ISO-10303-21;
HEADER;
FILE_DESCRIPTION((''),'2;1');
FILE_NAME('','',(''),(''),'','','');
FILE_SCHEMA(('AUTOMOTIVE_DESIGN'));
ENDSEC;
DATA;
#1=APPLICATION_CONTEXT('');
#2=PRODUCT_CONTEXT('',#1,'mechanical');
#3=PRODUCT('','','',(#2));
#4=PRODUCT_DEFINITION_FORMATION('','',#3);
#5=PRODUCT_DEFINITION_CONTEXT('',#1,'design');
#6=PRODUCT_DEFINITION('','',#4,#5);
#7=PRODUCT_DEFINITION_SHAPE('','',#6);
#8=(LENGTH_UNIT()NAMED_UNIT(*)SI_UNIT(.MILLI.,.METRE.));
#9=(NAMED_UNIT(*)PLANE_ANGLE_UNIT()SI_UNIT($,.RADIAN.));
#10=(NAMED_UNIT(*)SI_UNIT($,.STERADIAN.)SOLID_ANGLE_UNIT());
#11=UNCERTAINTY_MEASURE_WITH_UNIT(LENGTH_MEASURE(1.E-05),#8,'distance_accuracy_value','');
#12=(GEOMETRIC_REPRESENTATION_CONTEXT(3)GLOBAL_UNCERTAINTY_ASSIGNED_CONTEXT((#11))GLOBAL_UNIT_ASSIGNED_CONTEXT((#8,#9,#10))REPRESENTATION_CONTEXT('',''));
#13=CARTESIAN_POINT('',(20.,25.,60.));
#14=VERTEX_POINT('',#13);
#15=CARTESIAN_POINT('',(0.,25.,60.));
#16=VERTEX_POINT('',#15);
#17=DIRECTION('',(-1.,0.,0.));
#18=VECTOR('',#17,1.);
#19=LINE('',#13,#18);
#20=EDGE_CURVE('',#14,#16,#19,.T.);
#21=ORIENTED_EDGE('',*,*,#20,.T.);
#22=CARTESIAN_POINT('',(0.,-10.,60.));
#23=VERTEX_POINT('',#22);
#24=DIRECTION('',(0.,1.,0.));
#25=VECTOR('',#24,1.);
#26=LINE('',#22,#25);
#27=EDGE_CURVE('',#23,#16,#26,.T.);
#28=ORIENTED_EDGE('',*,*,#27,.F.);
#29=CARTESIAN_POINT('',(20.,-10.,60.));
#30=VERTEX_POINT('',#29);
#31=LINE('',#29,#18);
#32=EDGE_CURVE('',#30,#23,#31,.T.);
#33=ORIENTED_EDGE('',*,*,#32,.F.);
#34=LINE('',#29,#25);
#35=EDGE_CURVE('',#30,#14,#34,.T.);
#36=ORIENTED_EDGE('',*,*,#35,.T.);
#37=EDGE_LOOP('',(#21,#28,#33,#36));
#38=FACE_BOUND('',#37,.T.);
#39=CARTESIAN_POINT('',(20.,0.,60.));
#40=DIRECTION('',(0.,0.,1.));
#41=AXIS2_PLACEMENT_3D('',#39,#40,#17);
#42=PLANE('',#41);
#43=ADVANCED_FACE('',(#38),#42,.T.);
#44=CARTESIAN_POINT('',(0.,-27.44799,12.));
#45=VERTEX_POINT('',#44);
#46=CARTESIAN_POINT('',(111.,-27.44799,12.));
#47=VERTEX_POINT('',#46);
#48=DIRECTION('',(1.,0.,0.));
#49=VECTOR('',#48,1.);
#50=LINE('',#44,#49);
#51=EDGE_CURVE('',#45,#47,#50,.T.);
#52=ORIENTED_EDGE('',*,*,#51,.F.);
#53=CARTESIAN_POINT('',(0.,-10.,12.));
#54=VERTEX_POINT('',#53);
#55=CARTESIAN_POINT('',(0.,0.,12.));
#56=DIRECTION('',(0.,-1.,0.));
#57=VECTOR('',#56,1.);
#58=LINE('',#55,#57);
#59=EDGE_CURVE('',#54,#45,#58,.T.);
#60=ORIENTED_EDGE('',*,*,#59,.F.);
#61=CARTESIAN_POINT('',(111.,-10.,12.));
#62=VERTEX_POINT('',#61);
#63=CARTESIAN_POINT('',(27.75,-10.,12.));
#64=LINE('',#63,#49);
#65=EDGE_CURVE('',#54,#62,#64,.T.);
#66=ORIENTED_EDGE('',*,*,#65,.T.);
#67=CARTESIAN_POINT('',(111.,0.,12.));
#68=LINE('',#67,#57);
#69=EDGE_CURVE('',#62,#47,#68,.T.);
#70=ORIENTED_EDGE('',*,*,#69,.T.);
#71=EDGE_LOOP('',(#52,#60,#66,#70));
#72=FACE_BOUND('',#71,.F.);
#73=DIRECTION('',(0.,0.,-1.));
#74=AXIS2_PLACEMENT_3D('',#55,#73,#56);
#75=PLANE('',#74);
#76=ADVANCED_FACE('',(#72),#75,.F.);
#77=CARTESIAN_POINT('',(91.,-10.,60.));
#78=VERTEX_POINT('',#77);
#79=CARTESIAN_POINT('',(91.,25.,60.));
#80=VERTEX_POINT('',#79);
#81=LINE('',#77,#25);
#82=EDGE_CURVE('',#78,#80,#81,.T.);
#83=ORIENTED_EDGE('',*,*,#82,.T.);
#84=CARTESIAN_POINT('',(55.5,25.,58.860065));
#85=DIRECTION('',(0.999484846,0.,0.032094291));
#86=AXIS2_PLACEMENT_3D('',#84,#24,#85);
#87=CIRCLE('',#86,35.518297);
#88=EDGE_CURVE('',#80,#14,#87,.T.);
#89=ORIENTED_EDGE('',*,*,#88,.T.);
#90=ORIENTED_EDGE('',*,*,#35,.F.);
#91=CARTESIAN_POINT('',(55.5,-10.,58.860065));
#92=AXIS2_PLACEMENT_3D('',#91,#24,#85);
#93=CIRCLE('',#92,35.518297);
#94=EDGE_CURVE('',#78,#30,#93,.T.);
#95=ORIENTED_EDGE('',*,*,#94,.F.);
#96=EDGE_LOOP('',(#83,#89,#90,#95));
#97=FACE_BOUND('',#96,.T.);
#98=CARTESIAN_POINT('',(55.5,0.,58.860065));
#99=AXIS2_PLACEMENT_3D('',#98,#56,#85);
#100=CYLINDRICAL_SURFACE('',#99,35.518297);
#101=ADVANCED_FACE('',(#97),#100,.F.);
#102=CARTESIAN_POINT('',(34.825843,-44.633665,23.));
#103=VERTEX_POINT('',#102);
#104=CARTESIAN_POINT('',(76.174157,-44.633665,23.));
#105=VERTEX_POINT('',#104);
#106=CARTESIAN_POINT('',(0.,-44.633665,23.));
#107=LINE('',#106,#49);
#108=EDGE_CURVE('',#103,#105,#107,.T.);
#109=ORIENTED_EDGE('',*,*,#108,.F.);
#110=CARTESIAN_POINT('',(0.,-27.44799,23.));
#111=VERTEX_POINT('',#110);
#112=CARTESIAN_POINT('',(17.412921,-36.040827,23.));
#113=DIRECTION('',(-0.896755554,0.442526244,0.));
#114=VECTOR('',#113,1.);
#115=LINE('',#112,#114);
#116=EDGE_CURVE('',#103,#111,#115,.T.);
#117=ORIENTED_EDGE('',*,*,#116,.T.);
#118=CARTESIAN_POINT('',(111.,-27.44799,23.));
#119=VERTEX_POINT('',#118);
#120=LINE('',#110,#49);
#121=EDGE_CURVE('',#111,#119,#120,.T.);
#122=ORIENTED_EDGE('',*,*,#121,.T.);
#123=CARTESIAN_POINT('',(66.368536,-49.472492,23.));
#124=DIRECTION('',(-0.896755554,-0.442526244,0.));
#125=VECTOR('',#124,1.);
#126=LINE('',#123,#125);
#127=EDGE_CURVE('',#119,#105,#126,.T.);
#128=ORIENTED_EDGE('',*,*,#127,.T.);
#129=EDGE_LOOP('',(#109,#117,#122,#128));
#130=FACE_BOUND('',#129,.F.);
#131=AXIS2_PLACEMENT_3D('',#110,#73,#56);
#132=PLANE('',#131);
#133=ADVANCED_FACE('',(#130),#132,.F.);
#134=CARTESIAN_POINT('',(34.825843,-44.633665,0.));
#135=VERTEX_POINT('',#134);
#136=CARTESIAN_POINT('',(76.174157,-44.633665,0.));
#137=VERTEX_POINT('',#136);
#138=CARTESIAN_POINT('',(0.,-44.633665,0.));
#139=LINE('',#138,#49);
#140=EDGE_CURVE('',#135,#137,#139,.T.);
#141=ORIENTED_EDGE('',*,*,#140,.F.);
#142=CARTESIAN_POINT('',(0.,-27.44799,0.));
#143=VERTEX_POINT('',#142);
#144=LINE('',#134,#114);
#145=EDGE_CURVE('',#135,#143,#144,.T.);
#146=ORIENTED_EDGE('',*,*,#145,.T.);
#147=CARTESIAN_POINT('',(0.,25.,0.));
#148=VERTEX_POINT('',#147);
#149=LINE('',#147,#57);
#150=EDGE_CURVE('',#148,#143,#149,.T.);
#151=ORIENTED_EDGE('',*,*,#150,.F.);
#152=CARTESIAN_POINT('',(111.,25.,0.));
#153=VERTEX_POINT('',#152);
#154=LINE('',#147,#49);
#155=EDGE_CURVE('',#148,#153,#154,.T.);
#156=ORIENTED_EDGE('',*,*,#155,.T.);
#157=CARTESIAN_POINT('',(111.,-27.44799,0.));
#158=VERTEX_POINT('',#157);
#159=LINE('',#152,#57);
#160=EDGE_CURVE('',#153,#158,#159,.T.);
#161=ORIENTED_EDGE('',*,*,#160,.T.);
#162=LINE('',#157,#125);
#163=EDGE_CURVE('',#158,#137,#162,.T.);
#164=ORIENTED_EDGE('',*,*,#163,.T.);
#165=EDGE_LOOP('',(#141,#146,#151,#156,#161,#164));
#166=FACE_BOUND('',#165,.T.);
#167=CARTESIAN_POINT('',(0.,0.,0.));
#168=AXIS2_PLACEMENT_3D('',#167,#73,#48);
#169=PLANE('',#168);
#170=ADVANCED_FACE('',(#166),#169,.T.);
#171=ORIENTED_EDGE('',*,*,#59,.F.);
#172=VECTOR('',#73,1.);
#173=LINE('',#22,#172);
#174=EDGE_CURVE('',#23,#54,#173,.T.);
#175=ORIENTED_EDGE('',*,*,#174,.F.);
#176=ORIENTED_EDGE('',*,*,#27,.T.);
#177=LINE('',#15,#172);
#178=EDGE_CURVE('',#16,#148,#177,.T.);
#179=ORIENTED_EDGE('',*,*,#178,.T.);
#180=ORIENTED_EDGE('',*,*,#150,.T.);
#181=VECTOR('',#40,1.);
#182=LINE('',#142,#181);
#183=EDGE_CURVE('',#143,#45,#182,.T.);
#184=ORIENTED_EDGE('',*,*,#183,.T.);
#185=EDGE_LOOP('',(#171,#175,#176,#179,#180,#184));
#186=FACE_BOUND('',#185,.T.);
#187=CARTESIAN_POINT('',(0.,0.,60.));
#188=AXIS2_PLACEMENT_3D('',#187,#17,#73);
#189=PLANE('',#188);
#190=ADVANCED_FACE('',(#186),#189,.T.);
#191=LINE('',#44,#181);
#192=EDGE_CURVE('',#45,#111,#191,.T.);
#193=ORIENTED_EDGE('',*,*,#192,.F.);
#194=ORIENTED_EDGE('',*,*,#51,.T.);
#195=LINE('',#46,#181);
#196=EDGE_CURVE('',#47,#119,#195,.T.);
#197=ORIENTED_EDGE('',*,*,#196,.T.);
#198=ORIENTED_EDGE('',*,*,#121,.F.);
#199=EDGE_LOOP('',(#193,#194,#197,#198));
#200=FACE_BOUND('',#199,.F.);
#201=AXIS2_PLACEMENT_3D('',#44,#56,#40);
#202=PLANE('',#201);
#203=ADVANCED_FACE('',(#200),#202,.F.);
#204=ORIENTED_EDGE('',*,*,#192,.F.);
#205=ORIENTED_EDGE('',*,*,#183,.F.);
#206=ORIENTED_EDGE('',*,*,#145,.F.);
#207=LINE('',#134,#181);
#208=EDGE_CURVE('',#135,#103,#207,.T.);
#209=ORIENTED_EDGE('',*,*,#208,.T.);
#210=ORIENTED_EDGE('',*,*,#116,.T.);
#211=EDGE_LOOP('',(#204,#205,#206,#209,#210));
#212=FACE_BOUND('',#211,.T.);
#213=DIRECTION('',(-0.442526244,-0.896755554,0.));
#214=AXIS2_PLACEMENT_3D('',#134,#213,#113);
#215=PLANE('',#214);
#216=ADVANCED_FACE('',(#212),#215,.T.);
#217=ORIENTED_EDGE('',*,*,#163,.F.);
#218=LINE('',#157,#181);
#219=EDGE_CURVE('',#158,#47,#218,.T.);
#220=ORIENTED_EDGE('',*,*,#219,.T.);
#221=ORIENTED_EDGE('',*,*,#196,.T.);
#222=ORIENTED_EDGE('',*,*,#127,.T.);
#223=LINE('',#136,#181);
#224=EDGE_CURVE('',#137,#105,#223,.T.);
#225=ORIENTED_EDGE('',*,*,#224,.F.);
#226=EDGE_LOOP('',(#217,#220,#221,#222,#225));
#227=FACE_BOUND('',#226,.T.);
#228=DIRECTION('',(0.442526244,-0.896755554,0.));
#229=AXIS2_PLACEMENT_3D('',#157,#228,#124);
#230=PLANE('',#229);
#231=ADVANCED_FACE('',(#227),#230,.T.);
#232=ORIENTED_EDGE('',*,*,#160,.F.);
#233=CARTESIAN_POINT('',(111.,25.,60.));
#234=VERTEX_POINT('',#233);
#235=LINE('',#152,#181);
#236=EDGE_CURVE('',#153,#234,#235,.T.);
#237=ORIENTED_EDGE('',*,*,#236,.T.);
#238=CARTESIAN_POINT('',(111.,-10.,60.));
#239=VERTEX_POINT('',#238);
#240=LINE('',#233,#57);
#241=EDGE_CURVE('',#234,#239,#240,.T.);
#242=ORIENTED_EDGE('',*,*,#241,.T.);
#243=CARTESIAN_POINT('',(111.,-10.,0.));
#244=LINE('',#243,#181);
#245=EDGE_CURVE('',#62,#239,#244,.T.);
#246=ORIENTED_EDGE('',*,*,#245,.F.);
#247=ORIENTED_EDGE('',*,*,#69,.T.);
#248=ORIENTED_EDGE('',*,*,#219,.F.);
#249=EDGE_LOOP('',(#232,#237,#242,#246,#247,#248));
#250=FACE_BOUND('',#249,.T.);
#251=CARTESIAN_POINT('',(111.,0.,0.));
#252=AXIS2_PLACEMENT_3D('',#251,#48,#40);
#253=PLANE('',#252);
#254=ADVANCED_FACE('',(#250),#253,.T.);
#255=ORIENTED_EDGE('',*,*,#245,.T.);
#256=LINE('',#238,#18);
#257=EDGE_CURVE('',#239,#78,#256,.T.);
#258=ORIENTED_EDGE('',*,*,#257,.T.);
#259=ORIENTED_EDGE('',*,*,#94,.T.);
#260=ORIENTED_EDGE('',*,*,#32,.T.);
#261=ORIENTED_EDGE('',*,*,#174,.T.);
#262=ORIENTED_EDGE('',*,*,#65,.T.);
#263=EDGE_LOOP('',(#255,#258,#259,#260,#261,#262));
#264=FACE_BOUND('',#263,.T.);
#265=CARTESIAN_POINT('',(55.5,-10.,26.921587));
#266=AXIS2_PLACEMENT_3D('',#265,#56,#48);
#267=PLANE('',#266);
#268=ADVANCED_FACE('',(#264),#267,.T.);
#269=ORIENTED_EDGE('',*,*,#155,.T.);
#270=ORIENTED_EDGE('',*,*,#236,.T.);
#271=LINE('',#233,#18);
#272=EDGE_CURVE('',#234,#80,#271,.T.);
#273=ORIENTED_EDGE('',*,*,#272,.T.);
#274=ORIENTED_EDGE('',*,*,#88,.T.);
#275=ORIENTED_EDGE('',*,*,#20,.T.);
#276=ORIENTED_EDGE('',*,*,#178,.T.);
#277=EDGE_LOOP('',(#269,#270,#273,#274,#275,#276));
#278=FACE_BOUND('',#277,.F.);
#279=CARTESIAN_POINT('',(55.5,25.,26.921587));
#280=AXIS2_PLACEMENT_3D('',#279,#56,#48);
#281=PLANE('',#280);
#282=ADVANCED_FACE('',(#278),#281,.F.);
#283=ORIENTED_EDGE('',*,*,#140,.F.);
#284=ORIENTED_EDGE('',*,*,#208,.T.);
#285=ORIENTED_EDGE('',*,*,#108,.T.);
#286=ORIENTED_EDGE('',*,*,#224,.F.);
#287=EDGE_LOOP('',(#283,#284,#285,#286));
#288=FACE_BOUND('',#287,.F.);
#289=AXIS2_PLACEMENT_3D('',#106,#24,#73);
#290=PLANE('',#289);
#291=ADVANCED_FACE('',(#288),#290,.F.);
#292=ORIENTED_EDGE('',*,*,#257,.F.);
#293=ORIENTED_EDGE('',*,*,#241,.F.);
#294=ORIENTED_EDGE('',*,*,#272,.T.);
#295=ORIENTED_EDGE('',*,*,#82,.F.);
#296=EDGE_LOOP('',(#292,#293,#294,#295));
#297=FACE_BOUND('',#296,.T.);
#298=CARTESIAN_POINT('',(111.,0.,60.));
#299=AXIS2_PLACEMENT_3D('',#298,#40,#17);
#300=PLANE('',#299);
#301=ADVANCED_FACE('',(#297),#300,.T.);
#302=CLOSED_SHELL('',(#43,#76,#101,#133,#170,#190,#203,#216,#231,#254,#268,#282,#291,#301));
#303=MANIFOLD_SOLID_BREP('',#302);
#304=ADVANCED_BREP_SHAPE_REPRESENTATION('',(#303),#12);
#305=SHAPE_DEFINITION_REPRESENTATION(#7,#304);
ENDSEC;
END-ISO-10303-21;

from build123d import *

# Parameters (mm, degrees)
F1_DEPTH      = 10
F1_DEPTH_BACK = 25
F3_DEPTH      = 111
F5_DEPTH      = 60.001


with BuildPart() as f1:
    # F0 (on Front) → F1 (new body, two sides)
    with BuildSketch(Plane.XZ) as f1_sk:
        with BuildLine():
            Line((0, 60), (0, 0))
            Line((0, 0), (111, 0))
            Line((111, 0), (111, 60))
            Line((111, 60), (91, 60))
            ThreePointArc((91, 60), (55.5, 23.341768), (20, 60))
            Line((20, 60), (0, 60))
        make_face()
    extrude(amount=F1_DEPTH)
    extrude(f1_sk.sketch, amount=-F1_DEPTH_BACK)

    # F2 (on Right) → F3 (join)
    with BuildSketch(Plane.YZ):
        Polygon((0, 12), (-10.259873, 12), (-27.44799, 12), (-27.44799, 23), (-44.633665, 23), (-44.633665, 0), (-27.168316, 0), (0, 0), align=None)
    extrude(amount=F3_DEPTH)

    # F4 (on Top) → F5 (cut, through all)
    with BuildSketch(Plane.XY):
        Polygon((111, -27.44799), (76.174157, -44.633665), (111, -44.633665), align=None)
        Polygon((34.825843, -44.633665), (0, -27.44799), (0, -44.633665), align=None)
    extrude(amount=F5_DEPTH, mode=Mode.SUBTRACT)


solid = f1.part
